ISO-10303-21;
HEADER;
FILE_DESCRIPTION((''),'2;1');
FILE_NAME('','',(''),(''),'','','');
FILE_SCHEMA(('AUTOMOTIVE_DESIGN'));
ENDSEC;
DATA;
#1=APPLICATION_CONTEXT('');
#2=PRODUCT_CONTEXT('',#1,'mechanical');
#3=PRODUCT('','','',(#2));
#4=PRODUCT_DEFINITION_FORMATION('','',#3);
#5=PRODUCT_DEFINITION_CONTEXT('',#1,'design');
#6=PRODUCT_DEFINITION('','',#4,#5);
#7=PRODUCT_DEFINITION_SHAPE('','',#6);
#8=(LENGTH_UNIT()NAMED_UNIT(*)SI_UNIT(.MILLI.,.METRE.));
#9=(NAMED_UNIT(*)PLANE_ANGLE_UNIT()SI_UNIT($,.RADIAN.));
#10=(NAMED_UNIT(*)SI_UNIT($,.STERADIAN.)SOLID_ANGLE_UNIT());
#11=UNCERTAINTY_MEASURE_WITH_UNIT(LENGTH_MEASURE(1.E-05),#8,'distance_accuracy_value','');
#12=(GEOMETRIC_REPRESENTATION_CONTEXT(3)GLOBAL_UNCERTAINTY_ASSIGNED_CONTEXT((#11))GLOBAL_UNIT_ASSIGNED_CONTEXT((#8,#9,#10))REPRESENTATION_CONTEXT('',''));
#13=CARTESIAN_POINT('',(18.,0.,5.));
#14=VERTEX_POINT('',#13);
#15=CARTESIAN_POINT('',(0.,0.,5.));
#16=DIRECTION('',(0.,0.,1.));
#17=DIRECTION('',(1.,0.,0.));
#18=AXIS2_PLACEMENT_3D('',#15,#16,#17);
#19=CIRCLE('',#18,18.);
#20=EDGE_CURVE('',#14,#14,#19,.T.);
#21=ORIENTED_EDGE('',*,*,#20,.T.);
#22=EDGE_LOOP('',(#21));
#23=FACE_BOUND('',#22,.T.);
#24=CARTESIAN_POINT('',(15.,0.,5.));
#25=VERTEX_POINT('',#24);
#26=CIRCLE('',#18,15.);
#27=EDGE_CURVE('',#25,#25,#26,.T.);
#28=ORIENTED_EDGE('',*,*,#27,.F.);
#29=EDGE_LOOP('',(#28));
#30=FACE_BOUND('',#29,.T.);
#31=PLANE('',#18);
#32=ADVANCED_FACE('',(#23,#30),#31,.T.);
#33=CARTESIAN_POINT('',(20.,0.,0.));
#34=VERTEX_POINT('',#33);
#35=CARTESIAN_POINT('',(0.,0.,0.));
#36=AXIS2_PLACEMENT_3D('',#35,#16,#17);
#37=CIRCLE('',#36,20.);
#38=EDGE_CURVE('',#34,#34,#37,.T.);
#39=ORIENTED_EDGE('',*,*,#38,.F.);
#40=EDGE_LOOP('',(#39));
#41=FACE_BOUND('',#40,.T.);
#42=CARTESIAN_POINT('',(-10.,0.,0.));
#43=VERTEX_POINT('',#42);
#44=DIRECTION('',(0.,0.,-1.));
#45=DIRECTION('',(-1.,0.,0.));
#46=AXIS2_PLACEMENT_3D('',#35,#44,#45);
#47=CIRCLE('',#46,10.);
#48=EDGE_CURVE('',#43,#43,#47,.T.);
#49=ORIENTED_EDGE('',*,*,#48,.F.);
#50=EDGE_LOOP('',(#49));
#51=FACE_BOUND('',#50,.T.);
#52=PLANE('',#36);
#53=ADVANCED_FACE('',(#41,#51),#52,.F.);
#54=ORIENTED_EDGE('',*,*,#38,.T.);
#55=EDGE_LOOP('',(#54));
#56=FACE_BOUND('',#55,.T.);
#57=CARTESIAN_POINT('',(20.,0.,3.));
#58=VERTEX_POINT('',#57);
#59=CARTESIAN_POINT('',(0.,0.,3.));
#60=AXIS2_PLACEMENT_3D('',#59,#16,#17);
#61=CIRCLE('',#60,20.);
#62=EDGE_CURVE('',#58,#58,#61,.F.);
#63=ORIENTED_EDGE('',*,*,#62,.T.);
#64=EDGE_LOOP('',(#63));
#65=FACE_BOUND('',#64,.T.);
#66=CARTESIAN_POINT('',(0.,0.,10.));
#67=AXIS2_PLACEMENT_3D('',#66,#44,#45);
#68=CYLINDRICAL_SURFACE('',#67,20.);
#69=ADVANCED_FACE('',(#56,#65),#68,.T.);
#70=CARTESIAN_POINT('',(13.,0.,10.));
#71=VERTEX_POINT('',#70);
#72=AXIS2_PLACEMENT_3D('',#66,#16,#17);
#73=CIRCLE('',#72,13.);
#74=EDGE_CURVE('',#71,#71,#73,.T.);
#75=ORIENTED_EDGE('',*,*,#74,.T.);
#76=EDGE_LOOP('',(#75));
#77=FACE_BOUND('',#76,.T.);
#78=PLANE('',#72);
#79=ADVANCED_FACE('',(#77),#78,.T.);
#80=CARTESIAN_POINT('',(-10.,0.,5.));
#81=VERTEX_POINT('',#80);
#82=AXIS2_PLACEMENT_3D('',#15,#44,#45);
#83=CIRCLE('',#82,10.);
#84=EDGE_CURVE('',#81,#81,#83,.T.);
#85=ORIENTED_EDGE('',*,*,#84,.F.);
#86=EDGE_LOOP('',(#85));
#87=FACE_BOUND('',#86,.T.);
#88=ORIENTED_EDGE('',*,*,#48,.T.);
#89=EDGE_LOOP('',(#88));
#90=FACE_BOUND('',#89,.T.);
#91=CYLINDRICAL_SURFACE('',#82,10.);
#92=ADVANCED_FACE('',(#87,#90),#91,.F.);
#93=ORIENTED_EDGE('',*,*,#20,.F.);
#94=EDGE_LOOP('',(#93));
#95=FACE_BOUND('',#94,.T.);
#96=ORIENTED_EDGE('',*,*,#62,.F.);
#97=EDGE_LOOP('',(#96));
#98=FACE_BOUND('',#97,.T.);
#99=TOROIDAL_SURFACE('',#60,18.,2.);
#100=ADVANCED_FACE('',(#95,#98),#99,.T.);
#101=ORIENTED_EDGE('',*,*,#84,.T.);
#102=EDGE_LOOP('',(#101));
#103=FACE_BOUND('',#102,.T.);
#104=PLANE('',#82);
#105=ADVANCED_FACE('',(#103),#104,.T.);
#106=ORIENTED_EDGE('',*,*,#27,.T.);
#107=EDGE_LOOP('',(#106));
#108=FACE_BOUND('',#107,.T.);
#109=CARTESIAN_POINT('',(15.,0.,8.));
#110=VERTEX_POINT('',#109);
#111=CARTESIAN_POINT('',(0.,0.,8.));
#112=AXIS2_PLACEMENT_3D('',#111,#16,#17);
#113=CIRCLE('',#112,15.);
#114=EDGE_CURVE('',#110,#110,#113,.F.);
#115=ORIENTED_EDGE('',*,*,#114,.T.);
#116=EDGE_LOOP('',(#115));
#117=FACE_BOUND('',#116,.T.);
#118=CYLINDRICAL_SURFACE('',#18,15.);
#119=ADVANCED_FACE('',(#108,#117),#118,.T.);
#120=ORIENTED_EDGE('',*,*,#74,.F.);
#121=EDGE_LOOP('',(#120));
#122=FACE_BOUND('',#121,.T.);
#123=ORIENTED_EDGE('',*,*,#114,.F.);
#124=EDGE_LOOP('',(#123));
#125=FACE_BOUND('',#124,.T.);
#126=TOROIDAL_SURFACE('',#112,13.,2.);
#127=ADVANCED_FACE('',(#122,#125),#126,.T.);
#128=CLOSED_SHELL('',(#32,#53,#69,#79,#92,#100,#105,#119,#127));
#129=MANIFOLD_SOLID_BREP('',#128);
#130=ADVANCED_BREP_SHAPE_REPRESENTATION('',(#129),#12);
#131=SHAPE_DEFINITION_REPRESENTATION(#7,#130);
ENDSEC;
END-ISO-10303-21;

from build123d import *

# Parameters (mm, degrees)
SKETCH_1_R          = 20
EXTRUDE_1_DEPTH     = 10
SKETCH_2_R          = 10
CUT_EXTRUDE_1_DEPTH = 5
CUT_EXTRUDE_START   = -5
SKETCH_3_R          = 20
SKETCH_3_R_2        = 15
CUT_EXTRUDE_3_DEPTH = 5
FILLET_1_R          = 2
FILLET_2_R          = 2


with BuildPart() as part:
    # 草图1 → 凸台-拉伸1 (new body)
    with BuildSketch(Plane.XY):
        Circle(SKETCH_1_R)
    extrude(amount=EXTRUDE_1_DEPTH)

    # 草图2 → 切除-拉伸1 (cut)
    with BuildSketch(Plane(origin=(0, 0, 0), x_dir=(-1, 0, 0), z_dir=(0, 0, -1))):
        Circle(SKETCH_2_R)
    extrude(amount=-CUT_EXTRUDE_1_DEPTH, mode=Mode.SUBTRACT)

    # 草图3 → 切除-拉伸3 (cut)
    with BuildSketch(Plane.XY.offset(10).offset(CUT_EXTRUDE_START)):
        Circle(SKETCH_3_R)
        Circle(SKETCH_3_R_2, mode=Mode.SUBTRACT)
    extrude(amount=CUT_EXTRUDE_3_DEPTH, mode=Mode.SUBTRACT)

    # 圆角1
    fillet_1_edges = [part.edges().sort_by_distance(p)[0] for p in [
        (-15, 0, 10),
    ]]
    fillet(fillet_1_edges, radius=FILLET_1_R)

    # 圆角2
    fillet_2_edges = [part.edges().sort_by_distance(p)[0] for p in [
        (-20, 0, 5),
    ]]
    fillet(fillet_2_edges, radius=FILLET_2_R)


solid = part.part
